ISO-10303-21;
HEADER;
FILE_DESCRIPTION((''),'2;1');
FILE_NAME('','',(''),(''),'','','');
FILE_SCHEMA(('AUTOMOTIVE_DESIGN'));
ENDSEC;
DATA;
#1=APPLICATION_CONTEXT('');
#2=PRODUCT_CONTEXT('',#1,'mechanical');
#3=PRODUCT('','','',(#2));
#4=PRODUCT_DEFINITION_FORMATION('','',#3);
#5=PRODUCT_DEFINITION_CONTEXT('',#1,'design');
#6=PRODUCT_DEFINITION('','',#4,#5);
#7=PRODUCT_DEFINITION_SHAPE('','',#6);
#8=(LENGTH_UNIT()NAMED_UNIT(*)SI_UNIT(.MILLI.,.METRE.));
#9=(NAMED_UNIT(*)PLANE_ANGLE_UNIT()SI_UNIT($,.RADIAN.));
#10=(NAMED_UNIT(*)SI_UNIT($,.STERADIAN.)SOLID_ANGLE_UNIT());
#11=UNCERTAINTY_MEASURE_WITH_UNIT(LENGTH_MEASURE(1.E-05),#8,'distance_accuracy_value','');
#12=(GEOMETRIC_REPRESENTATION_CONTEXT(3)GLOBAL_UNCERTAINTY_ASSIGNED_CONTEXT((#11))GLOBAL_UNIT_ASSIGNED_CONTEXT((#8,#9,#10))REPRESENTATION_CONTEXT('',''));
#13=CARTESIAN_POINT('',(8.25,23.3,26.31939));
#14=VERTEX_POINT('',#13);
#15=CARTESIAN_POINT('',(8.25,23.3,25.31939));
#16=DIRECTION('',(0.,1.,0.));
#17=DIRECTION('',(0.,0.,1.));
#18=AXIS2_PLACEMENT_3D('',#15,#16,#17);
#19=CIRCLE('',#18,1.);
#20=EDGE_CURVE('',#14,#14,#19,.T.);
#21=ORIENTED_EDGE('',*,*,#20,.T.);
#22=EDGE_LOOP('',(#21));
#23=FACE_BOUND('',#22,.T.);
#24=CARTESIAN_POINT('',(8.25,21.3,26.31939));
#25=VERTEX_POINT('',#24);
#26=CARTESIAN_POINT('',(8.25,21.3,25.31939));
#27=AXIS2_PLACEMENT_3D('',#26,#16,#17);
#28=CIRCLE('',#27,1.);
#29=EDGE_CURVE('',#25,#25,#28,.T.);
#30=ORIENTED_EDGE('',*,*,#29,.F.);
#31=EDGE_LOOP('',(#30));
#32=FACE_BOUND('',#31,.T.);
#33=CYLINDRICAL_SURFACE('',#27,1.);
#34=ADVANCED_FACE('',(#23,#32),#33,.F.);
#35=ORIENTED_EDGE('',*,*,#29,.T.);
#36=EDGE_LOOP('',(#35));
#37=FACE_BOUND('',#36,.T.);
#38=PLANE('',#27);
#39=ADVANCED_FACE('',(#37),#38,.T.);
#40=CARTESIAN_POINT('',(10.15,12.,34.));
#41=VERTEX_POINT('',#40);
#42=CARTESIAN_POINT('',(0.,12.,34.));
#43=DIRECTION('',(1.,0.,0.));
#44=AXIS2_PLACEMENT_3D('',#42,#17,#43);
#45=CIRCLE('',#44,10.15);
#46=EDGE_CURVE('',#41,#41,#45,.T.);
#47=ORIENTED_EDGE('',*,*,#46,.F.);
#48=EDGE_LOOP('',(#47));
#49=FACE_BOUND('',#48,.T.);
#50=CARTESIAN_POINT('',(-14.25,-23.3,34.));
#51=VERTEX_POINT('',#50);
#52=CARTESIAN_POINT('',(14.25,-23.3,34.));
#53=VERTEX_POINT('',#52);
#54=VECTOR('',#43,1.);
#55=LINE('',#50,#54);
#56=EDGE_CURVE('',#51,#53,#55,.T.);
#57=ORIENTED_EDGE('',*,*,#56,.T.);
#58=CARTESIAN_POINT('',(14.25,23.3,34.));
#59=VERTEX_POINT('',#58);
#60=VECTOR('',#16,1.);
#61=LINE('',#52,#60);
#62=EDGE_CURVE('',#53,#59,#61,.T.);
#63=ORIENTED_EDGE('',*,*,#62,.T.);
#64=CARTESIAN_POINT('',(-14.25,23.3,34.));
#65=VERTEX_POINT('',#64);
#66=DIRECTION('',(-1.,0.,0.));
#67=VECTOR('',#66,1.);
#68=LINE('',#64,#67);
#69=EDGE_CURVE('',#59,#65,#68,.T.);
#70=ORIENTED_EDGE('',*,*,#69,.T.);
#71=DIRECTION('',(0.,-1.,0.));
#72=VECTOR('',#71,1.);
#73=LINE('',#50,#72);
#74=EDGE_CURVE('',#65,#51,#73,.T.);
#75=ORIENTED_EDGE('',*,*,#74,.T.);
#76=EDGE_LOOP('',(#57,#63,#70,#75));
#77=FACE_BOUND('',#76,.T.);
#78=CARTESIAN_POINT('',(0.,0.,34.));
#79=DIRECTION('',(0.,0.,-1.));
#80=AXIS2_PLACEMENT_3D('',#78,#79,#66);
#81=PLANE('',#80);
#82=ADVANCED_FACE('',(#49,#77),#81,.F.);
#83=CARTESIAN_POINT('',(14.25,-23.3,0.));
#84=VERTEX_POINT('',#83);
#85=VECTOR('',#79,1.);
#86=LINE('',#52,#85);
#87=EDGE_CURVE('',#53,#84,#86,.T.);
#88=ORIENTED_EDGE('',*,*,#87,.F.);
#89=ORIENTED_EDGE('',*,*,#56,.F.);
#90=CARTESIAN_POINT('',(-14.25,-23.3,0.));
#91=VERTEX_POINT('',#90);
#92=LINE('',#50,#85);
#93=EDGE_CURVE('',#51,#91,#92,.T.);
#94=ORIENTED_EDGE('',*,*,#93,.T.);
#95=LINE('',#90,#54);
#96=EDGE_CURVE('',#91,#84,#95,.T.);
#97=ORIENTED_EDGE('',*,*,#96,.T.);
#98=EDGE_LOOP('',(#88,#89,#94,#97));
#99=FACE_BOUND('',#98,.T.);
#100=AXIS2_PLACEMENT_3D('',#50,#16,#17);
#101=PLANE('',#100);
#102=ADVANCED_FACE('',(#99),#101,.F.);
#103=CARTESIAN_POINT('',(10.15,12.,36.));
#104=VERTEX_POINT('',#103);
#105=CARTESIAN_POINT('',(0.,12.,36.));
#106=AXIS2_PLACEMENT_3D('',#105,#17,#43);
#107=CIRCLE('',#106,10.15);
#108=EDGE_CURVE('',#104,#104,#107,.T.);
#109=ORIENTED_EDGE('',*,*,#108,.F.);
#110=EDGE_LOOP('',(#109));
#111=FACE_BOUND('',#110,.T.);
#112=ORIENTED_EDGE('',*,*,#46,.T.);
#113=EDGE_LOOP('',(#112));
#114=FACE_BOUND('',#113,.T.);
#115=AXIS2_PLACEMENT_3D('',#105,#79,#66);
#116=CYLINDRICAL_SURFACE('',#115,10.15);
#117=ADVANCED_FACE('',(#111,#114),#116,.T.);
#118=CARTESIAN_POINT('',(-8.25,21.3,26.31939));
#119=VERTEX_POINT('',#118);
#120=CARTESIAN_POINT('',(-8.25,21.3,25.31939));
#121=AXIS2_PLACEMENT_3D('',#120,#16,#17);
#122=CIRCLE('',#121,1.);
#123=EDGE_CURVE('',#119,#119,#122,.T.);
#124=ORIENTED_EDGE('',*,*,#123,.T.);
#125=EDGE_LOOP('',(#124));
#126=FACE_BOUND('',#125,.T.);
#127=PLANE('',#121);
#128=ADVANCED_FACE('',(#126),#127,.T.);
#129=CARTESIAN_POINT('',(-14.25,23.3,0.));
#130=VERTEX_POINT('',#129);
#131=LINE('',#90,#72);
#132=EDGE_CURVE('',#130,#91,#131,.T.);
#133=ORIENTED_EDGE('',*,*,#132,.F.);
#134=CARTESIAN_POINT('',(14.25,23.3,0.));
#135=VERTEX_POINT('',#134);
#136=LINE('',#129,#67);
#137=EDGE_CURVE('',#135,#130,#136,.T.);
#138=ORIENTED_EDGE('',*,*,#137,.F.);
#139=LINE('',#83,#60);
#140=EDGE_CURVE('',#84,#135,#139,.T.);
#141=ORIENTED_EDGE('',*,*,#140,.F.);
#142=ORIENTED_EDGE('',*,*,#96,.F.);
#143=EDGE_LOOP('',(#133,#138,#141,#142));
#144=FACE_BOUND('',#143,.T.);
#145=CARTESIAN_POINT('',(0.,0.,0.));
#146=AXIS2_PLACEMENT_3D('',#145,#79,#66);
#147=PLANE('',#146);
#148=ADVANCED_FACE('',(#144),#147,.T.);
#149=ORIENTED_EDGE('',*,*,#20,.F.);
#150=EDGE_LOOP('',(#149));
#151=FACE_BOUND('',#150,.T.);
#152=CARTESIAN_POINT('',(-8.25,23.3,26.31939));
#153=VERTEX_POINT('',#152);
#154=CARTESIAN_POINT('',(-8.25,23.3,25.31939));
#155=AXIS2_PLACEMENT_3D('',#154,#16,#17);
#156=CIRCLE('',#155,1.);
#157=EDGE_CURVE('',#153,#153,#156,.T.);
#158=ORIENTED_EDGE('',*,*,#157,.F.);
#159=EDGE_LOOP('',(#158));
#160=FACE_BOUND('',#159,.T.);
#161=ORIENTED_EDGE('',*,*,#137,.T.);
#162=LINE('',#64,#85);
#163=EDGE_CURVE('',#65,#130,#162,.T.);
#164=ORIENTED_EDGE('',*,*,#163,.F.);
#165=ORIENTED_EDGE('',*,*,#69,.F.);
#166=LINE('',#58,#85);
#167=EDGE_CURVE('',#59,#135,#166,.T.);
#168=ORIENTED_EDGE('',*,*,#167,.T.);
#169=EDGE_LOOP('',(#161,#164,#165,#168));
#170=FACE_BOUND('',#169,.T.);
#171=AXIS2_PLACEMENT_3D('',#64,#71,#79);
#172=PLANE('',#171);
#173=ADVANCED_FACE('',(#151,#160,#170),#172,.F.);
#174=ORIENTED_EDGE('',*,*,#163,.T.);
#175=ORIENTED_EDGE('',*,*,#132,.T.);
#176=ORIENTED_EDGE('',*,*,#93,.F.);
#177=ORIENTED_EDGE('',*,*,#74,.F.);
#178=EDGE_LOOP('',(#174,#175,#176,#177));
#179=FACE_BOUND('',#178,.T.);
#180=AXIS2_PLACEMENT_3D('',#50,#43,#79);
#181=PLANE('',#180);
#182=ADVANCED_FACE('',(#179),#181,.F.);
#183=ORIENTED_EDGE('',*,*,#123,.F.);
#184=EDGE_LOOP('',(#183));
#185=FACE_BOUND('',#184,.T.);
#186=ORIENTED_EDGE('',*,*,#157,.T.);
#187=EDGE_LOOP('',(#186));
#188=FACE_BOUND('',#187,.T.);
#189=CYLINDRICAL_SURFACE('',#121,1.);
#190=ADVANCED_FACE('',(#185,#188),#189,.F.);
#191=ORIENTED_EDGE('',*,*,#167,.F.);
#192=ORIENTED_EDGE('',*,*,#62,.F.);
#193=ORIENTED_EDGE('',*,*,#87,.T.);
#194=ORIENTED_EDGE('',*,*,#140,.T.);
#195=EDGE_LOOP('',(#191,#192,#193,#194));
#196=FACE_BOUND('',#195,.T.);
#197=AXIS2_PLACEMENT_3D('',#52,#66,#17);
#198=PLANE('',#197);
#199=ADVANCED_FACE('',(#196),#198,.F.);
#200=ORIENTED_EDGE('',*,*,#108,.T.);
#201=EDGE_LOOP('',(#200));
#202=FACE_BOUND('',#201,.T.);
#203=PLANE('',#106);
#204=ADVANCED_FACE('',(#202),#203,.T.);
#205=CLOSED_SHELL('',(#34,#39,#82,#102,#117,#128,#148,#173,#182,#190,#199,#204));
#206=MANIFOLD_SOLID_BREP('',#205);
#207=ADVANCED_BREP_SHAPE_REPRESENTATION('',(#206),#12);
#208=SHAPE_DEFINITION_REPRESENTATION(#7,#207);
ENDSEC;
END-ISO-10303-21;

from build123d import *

# Parameters (mm, degrees)
ESQUISSE1_W             = 28.5
ESQUISSE1_H             = 46.6
BOSS_EXTRU_1_DEPTH      = 34
ESQUISSE2_R             = 10.15
BOSS_EXTRU_2_DEPTH      = 2
ESQUISSE3_R             = 1
ENL_V_MAT_EXTRU_1_DEPTH = 2


with BuildPart() as part:
    # Esquisse1 → Boss.-Extru.1 (new body)
    with BuildSketch(Plane.XY):
        Rectangle(ESQUISSE1_W, ESQUISSE1_H)
    extrude(amount=BOSS_EXTRU_1_DEPTH)

    # Esquisse2 → Boss.-Extru.2 (add)
    with BuildSketch(Plane.XY.offset(34)):
        with Locations((0, 12)):
            Circle(ESQUISSE2_R)
    extrude(amount=BOSS_EXTRU_2_DEPTH)

    # Esquisse3 → Enlèv. mat.-Extru.1 (cut)
    with BuildSketch(Plane(origin=(0, 23.3, 0), x_dir=(1, 0, 0), z_dir=(0, 1, 0))):
        with Locations(Location((-8.25, -25.319390083, 0), (0, 0, 270))):
            Circle(ESQUISSE3_R)
        with Locations(Location((8.25, -25.319390083, 0), (0, 0, 270))):
            Circle(ESQUISSE3_R)
    extrude(amount=-ENL_V_MAT_EXTRU_1_DEPTH, mode=Mode.SUBTRACT)


solid = part.part
